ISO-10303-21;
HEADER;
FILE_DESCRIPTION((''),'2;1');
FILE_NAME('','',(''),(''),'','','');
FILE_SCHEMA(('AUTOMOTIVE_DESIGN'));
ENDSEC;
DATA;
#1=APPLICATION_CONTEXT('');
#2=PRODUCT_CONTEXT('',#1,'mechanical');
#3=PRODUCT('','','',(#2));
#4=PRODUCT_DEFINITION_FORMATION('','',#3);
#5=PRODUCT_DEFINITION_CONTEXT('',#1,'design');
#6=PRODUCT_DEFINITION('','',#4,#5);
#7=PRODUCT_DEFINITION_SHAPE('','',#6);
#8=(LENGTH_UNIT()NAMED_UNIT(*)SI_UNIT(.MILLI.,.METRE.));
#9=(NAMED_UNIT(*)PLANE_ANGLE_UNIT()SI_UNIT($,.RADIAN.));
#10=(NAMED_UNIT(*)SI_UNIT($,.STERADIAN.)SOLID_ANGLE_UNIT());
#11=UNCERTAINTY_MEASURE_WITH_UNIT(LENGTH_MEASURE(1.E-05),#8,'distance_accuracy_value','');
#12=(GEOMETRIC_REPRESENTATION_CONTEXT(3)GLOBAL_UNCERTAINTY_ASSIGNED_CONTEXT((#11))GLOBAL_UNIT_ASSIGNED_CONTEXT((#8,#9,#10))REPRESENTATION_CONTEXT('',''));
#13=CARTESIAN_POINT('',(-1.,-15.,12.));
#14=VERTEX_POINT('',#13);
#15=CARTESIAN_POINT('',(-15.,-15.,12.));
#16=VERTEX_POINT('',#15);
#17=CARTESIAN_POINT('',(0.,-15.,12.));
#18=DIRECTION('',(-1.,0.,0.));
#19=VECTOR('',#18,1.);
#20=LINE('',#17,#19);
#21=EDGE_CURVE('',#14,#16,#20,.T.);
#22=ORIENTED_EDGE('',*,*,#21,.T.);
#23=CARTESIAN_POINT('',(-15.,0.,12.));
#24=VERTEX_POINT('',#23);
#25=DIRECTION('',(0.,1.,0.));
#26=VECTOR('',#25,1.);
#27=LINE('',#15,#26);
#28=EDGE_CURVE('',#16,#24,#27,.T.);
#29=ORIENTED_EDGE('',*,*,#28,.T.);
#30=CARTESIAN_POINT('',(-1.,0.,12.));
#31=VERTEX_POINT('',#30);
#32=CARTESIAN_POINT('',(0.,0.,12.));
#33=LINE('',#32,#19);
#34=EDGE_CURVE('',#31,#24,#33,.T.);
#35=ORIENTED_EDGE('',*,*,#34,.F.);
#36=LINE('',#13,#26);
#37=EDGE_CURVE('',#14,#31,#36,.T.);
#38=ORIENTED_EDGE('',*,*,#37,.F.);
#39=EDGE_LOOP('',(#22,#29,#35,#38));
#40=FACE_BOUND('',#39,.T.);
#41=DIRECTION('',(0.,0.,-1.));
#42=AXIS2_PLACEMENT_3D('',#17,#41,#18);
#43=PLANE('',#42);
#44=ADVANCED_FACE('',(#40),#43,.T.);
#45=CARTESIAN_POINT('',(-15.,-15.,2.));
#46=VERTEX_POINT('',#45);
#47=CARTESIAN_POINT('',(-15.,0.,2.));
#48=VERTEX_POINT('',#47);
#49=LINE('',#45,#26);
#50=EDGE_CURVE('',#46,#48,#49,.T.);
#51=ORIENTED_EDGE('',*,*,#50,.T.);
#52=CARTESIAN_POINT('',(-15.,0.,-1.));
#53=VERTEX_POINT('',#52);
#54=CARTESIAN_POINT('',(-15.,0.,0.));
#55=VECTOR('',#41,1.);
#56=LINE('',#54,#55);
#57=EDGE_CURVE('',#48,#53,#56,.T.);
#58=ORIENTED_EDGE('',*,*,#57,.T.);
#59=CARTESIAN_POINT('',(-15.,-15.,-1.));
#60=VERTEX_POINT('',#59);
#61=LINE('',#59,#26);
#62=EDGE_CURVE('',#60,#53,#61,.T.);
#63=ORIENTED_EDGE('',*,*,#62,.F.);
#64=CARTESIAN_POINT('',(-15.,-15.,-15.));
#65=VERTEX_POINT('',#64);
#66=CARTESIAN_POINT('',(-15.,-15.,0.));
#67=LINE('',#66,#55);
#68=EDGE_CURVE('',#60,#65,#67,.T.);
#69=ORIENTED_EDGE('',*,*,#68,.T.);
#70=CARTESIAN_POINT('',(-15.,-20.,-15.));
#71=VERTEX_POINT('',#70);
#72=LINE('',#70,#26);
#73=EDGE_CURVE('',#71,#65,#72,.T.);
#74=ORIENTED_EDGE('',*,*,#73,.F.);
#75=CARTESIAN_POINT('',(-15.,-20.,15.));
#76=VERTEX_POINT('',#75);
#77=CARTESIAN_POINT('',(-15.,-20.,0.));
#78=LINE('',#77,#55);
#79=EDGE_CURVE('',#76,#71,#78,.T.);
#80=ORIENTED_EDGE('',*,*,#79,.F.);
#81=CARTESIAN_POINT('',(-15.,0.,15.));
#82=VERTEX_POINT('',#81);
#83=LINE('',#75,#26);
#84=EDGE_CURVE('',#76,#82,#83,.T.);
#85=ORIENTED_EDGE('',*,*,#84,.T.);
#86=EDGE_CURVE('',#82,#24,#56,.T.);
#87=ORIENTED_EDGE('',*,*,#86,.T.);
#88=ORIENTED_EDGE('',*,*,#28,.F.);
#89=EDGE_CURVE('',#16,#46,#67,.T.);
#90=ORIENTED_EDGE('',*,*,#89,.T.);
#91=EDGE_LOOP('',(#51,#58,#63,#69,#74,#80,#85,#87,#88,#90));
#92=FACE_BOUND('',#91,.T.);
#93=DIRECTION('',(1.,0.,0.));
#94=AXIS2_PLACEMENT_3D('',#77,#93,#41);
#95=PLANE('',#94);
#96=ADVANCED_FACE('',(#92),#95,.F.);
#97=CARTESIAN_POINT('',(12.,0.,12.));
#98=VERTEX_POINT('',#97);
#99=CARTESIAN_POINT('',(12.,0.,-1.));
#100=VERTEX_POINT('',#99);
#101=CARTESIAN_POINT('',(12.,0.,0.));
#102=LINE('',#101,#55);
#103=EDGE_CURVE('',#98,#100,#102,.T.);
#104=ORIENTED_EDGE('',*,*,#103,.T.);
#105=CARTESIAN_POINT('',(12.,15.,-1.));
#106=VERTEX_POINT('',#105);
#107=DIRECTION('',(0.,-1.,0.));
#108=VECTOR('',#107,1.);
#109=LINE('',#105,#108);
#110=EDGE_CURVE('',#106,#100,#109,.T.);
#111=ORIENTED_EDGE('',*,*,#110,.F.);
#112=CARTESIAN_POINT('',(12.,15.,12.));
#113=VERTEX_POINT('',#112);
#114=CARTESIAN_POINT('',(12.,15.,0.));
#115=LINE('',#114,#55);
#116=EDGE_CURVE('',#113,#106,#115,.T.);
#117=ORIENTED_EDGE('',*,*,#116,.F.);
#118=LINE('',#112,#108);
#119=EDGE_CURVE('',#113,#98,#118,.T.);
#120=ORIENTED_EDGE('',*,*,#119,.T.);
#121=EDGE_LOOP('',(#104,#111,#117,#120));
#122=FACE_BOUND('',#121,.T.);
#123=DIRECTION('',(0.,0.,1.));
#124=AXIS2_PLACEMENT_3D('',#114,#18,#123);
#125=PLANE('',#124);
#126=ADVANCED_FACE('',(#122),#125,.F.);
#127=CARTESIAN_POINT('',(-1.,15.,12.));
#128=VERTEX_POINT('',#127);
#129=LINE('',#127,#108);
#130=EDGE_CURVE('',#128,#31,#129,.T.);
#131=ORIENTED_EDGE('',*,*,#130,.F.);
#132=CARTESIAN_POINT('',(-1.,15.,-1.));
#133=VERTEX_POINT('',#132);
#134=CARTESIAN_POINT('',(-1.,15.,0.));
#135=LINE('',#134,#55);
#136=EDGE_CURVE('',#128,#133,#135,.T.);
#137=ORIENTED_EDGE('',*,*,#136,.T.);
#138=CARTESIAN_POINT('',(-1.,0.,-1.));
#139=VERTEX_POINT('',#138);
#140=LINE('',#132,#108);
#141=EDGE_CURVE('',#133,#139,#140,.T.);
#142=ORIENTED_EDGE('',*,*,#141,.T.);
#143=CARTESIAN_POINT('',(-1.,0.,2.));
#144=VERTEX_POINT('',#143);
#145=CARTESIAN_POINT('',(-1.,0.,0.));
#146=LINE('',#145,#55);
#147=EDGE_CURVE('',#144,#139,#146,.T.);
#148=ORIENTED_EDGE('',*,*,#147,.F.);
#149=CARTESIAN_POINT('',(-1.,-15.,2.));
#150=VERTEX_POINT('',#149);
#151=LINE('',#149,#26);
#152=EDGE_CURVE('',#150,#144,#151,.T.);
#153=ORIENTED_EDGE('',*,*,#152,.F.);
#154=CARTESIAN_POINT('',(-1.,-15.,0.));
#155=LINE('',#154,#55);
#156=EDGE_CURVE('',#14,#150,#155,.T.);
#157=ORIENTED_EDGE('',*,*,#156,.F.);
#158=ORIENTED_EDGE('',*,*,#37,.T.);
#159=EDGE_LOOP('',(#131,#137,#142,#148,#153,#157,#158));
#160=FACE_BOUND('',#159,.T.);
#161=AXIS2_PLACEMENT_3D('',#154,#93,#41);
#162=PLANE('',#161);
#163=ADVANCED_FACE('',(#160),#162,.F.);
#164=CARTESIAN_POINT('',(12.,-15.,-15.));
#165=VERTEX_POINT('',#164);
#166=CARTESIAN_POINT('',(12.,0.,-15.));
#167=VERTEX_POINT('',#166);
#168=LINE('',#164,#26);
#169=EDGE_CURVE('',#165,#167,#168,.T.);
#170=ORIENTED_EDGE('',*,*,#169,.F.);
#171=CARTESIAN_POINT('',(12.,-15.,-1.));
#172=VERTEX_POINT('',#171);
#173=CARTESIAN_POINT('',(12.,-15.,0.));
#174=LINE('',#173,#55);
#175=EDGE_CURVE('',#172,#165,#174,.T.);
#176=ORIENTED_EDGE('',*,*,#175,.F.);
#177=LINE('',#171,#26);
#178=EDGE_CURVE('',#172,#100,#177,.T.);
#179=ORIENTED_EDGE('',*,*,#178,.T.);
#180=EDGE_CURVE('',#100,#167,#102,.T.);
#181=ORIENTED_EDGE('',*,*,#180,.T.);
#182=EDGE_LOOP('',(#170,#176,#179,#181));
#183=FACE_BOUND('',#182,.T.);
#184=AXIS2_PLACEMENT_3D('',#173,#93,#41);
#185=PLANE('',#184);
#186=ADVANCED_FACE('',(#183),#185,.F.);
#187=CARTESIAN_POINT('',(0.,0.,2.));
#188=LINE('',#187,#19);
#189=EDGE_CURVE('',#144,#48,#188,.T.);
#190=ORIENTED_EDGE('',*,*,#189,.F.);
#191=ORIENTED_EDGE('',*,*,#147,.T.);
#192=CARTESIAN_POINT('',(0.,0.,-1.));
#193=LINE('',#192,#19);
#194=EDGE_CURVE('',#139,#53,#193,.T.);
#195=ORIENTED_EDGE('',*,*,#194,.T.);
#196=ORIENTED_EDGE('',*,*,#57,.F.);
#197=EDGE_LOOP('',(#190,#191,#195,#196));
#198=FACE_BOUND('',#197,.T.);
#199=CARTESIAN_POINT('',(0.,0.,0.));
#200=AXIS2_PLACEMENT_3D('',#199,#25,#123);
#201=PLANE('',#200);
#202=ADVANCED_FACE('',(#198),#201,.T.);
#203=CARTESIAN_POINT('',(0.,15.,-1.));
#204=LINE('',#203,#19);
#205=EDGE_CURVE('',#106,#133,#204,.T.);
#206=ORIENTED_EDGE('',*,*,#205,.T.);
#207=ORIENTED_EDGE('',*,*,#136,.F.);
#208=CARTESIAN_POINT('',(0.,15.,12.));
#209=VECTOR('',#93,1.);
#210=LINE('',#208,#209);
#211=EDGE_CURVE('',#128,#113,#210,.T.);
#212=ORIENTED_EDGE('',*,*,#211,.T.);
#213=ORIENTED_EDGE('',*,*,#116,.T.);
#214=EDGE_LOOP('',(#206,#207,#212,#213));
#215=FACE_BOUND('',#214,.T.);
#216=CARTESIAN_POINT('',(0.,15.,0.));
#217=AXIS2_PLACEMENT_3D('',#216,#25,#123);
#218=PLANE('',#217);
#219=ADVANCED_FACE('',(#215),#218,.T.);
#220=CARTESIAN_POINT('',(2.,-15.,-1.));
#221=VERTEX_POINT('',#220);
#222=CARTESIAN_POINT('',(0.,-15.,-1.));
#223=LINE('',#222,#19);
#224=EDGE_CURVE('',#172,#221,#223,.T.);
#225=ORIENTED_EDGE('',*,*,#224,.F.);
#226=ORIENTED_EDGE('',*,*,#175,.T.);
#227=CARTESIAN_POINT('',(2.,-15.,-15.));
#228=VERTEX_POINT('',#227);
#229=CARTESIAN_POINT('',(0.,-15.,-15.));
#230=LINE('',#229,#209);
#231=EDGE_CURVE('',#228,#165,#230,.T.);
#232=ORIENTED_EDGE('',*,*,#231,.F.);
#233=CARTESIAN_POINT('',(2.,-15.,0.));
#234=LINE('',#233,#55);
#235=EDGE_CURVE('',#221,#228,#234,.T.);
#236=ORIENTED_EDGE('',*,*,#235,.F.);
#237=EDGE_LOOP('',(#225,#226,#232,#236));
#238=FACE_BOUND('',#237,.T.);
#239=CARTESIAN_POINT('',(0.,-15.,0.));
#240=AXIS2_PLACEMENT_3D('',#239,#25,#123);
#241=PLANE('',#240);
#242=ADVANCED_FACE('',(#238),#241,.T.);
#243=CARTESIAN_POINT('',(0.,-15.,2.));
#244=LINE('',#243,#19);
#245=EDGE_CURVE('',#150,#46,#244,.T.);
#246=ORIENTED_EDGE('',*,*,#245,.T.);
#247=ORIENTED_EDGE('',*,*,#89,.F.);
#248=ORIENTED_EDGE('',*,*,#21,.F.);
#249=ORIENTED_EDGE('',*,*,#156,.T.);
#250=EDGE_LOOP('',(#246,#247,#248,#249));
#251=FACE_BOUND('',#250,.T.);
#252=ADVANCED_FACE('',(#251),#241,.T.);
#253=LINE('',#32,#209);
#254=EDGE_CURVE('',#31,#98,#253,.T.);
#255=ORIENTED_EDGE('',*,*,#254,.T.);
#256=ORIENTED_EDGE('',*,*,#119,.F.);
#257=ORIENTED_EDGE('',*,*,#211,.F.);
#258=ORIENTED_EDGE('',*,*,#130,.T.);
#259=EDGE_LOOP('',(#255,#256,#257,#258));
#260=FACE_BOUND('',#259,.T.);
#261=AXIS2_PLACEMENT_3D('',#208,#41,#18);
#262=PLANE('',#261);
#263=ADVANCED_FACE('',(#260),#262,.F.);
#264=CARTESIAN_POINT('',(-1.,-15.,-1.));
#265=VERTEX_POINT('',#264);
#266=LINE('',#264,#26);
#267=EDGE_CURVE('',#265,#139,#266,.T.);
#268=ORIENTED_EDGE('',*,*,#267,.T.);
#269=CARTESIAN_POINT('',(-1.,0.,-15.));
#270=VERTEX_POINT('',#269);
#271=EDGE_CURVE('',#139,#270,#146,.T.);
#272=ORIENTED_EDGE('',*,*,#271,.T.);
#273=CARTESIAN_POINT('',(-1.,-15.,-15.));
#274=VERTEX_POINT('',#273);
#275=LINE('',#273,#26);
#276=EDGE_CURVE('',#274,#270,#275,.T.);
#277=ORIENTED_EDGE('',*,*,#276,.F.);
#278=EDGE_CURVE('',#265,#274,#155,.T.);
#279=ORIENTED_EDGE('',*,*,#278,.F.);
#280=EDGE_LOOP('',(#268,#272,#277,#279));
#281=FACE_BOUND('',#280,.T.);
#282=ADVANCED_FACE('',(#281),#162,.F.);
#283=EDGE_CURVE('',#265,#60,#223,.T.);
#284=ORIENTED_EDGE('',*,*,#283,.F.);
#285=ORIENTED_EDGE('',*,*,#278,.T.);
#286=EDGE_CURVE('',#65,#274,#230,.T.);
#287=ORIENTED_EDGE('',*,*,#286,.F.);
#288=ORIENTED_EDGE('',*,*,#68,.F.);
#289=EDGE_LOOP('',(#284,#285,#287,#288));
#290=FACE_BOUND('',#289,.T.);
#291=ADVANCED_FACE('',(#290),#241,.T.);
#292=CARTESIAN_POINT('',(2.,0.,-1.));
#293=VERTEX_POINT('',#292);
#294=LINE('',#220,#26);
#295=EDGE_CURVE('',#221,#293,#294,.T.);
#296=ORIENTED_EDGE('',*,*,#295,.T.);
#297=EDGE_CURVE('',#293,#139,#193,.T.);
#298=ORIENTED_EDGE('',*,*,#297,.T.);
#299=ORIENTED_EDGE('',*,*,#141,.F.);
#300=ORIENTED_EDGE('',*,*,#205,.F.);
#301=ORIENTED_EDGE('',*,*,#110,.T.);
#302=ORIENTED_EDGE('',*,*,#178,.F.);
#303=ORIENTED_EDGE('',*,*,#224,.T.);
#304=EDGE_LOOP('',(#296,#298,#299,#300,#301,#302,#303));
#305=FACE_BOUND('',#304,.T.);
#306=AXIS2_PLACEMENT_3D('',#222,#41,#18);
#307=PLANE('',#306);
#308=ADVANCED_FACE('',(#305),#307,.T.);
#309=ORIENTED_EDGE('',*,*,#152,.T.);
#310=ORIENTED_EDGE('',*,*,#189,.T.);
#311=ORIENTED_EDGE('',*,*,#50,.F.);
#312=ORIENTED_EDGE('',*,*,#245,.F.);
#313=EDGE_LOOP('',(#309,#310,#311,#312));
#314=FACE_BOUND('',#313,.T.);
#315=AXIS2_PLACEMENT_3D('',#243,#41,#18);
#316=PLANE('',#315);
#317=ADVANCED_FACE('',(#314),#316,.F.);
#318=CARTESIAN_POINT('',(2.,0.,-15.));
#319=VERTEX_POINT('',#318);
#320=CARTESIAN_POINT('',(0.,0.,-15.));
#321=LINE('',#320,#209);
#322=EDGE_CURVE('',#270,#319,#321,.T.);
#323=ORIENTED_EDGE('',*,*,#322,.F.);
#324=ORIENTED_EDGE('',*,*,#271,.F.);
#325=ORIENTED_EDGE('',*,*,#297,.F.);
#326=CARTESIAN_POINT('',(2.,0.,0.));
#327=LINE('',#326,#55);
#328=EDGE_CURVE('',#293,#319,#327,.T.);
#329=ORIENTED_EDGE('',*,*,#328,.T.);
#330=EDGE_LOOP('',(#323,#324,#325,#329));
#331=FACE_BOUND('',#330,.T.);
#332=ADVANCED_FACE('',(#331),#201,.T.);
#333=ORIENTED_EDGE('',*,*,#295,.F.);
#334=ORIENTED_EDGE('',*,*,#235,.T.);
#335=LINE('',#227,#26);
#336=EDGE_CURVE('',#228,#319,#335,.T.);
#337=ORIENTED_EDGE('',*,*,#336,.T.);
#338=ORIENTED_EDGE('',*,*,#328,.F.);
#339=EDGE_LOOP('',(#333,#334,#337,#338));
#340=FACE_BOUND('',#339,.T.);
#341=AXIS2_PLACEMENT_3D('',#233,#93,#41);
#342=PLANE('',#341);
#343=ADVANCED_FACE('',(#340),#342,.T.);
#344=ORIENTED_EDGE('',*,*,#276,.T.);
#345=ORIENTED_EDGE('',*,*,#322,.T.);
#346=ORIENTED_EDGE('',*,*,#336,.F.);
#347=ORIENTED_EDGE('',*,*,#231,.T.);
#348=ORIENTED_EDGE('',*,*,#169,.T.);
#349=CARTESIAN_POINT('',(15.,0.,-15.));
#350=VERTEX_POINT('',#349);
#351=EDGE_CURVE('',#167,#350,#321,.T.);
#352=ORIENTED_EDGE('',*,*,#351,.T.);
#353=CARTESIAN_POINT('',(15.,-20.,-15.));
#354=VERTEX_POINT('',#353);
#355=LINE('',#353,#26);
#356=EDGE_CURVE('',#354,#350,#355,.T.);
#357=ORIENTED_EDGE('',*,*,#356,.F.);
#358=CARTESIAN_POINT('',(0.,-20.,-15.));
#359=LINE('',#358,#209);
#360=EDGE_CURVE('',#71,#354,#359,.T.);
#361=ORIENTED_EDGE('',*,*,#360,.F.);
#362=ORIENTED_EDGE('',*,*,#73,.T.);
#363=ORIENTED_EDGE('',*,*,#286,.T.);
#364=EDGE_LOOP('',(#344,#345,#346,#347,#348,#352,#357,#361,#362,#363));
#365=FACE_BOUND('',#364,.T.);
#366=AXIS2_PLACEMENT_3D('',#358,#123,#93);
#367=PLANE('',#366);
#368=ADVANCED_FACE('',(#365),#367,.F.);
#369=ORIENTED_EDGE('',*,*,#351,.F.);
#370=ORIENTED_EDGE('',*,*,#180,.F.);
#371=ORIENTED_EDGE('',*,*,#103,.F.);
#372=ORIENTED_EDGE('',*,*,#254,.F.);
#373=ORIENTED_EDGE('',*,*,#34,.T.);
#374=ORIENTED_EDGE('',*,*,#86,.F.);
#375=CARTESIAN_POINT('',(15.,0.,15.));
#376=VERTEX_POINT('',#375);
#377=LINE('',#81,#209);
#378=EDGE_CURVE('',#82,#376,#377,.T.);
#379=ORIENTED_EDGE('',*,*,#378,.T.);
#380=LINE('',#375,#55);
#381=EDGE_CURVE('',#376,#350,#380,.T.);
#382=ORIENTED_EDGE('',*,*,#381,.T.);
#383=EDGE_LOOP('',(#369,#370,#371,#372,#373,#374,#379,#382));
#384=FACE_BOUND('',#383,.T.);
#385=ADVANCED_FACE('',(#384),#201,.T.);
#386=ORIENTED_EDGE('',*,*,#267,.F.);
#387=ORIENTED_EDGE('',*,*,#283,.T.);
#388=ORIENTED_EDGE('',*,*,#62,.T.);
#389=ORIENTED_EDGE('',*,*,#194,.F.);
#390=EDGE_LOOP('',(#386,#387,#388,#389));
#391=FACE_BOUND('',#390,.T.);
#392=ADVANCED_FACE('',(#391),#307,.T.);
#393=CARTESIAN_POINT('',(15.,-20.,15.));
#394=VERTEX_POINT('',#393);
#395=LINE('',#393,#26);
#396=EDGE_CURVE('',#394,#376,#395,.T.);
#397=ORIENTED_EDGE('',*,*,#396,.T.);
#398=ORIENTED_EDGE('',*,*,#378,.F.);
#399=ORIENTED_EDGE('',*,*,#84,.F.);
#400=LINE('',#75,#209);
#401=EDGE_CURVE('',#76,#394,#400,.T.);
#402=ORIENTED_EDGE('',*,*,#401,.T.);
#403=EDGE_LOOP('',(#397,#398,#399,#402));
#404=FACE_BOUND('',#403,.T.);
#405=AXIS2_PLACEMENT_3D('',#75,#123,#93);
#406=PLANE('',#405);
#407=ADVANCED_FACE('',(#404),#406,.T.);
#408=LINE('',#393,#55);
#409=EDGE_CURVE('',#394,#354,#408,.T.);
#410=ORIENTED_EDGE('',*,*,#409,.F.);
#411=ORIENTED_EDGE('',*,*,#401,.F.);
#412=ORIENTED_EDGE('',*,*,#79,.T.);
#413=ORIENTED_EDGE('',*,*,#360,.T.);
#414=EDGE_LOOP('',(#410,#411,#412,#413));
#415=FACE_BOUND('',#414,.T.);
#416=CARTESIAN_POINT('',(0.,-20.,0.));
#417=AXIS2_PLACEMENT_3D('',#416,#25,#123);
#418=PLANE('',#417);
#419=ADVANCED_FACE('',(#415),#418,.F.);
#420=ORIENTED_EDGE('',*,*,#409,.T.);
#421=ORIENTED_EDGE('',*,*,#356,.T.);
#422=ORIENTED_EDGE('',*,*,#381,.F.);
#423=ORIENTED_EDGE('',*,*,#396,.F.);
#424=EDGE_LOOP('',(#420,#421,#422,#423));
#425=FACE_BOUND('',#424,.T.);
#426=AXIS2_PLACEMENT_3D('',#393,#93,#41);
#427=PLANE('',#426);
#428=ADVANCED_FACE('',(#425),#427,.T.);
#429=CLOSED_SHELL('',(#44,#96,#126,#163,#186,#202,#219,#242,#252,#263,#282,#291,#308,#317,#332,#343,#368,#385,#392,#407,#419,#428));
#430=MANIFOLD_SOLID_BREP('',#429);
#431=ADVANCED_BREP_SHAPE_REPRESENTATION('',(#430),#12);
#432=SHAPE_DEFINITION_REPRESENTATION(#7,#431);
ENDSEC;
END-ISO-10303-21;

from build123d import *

# Parameters (mm, degrees)
SKETCH1_W           = 30
SKETCH1_H           = 30
BOSS_EXTRUDE1_DEPTH = 20
SKETCH1_6_W         = 10
SKETCH1_6_H         = 14
SKETCH1_6_W_2       = 14
SKETCH1_6_H_2       = 10
CUT_EXTRUDE1_DEPTH  = 15
SKETCH1_7_W         = 13
SKETCH1_7_H         = 13
BOSS_EXTRUDE2_DEPTH = 15


with BuildPart() as part:
    # Sketch1 → Boss-Extrude1 (new body)
    with BuildSketch(Plane(origin=(0, 0, 0), x_dir=(1, 0, 0), z_dir=(0, 1, 0))):
        Rectangle(SKETCH1_W, SKETCH1_H)
    extrude(amount=-BOSS_EXTRUDE1_DEPTH)

    # Sketch1<6> → Cut-Extrude1 (cut)
    with BuildSketch(Plane(origin=(0, 0, 0), x_dir=(1, 0, 0), z_dir=(0, 1, 0))):
        with Locations((7, 8)):
            Rectangle(SKETCH1_6_W, SKETCH1_6_H)
        with Locations((-8, -7)):
            Rectangle(SKETCH1_6_W_2, SKETCH1_6_H_2)
        with Locations((-8, 8)):
            Rectangle(SKETCH1_6_W_2, SKETCH1_6_H)
    extrude(amount=-CUT_EXTRUDE1_DEPTH, mode=Mode.SUBTRACT)

    # Sketch1<7> → Boss-Extrude2 (add)
    with BuildSketch(Plane(origin=(0, 0, 0), x_dir=(1, 0, 0), z_dir=(0, 1, 0))):
        with Locations((5.5, -5.5)):
            Rectangle(SKETCH1_7_W, SKETCH1_7_H)
    extrude(amount=BOSS_EXTRUDE2_DEPTH)


solid = part.part
